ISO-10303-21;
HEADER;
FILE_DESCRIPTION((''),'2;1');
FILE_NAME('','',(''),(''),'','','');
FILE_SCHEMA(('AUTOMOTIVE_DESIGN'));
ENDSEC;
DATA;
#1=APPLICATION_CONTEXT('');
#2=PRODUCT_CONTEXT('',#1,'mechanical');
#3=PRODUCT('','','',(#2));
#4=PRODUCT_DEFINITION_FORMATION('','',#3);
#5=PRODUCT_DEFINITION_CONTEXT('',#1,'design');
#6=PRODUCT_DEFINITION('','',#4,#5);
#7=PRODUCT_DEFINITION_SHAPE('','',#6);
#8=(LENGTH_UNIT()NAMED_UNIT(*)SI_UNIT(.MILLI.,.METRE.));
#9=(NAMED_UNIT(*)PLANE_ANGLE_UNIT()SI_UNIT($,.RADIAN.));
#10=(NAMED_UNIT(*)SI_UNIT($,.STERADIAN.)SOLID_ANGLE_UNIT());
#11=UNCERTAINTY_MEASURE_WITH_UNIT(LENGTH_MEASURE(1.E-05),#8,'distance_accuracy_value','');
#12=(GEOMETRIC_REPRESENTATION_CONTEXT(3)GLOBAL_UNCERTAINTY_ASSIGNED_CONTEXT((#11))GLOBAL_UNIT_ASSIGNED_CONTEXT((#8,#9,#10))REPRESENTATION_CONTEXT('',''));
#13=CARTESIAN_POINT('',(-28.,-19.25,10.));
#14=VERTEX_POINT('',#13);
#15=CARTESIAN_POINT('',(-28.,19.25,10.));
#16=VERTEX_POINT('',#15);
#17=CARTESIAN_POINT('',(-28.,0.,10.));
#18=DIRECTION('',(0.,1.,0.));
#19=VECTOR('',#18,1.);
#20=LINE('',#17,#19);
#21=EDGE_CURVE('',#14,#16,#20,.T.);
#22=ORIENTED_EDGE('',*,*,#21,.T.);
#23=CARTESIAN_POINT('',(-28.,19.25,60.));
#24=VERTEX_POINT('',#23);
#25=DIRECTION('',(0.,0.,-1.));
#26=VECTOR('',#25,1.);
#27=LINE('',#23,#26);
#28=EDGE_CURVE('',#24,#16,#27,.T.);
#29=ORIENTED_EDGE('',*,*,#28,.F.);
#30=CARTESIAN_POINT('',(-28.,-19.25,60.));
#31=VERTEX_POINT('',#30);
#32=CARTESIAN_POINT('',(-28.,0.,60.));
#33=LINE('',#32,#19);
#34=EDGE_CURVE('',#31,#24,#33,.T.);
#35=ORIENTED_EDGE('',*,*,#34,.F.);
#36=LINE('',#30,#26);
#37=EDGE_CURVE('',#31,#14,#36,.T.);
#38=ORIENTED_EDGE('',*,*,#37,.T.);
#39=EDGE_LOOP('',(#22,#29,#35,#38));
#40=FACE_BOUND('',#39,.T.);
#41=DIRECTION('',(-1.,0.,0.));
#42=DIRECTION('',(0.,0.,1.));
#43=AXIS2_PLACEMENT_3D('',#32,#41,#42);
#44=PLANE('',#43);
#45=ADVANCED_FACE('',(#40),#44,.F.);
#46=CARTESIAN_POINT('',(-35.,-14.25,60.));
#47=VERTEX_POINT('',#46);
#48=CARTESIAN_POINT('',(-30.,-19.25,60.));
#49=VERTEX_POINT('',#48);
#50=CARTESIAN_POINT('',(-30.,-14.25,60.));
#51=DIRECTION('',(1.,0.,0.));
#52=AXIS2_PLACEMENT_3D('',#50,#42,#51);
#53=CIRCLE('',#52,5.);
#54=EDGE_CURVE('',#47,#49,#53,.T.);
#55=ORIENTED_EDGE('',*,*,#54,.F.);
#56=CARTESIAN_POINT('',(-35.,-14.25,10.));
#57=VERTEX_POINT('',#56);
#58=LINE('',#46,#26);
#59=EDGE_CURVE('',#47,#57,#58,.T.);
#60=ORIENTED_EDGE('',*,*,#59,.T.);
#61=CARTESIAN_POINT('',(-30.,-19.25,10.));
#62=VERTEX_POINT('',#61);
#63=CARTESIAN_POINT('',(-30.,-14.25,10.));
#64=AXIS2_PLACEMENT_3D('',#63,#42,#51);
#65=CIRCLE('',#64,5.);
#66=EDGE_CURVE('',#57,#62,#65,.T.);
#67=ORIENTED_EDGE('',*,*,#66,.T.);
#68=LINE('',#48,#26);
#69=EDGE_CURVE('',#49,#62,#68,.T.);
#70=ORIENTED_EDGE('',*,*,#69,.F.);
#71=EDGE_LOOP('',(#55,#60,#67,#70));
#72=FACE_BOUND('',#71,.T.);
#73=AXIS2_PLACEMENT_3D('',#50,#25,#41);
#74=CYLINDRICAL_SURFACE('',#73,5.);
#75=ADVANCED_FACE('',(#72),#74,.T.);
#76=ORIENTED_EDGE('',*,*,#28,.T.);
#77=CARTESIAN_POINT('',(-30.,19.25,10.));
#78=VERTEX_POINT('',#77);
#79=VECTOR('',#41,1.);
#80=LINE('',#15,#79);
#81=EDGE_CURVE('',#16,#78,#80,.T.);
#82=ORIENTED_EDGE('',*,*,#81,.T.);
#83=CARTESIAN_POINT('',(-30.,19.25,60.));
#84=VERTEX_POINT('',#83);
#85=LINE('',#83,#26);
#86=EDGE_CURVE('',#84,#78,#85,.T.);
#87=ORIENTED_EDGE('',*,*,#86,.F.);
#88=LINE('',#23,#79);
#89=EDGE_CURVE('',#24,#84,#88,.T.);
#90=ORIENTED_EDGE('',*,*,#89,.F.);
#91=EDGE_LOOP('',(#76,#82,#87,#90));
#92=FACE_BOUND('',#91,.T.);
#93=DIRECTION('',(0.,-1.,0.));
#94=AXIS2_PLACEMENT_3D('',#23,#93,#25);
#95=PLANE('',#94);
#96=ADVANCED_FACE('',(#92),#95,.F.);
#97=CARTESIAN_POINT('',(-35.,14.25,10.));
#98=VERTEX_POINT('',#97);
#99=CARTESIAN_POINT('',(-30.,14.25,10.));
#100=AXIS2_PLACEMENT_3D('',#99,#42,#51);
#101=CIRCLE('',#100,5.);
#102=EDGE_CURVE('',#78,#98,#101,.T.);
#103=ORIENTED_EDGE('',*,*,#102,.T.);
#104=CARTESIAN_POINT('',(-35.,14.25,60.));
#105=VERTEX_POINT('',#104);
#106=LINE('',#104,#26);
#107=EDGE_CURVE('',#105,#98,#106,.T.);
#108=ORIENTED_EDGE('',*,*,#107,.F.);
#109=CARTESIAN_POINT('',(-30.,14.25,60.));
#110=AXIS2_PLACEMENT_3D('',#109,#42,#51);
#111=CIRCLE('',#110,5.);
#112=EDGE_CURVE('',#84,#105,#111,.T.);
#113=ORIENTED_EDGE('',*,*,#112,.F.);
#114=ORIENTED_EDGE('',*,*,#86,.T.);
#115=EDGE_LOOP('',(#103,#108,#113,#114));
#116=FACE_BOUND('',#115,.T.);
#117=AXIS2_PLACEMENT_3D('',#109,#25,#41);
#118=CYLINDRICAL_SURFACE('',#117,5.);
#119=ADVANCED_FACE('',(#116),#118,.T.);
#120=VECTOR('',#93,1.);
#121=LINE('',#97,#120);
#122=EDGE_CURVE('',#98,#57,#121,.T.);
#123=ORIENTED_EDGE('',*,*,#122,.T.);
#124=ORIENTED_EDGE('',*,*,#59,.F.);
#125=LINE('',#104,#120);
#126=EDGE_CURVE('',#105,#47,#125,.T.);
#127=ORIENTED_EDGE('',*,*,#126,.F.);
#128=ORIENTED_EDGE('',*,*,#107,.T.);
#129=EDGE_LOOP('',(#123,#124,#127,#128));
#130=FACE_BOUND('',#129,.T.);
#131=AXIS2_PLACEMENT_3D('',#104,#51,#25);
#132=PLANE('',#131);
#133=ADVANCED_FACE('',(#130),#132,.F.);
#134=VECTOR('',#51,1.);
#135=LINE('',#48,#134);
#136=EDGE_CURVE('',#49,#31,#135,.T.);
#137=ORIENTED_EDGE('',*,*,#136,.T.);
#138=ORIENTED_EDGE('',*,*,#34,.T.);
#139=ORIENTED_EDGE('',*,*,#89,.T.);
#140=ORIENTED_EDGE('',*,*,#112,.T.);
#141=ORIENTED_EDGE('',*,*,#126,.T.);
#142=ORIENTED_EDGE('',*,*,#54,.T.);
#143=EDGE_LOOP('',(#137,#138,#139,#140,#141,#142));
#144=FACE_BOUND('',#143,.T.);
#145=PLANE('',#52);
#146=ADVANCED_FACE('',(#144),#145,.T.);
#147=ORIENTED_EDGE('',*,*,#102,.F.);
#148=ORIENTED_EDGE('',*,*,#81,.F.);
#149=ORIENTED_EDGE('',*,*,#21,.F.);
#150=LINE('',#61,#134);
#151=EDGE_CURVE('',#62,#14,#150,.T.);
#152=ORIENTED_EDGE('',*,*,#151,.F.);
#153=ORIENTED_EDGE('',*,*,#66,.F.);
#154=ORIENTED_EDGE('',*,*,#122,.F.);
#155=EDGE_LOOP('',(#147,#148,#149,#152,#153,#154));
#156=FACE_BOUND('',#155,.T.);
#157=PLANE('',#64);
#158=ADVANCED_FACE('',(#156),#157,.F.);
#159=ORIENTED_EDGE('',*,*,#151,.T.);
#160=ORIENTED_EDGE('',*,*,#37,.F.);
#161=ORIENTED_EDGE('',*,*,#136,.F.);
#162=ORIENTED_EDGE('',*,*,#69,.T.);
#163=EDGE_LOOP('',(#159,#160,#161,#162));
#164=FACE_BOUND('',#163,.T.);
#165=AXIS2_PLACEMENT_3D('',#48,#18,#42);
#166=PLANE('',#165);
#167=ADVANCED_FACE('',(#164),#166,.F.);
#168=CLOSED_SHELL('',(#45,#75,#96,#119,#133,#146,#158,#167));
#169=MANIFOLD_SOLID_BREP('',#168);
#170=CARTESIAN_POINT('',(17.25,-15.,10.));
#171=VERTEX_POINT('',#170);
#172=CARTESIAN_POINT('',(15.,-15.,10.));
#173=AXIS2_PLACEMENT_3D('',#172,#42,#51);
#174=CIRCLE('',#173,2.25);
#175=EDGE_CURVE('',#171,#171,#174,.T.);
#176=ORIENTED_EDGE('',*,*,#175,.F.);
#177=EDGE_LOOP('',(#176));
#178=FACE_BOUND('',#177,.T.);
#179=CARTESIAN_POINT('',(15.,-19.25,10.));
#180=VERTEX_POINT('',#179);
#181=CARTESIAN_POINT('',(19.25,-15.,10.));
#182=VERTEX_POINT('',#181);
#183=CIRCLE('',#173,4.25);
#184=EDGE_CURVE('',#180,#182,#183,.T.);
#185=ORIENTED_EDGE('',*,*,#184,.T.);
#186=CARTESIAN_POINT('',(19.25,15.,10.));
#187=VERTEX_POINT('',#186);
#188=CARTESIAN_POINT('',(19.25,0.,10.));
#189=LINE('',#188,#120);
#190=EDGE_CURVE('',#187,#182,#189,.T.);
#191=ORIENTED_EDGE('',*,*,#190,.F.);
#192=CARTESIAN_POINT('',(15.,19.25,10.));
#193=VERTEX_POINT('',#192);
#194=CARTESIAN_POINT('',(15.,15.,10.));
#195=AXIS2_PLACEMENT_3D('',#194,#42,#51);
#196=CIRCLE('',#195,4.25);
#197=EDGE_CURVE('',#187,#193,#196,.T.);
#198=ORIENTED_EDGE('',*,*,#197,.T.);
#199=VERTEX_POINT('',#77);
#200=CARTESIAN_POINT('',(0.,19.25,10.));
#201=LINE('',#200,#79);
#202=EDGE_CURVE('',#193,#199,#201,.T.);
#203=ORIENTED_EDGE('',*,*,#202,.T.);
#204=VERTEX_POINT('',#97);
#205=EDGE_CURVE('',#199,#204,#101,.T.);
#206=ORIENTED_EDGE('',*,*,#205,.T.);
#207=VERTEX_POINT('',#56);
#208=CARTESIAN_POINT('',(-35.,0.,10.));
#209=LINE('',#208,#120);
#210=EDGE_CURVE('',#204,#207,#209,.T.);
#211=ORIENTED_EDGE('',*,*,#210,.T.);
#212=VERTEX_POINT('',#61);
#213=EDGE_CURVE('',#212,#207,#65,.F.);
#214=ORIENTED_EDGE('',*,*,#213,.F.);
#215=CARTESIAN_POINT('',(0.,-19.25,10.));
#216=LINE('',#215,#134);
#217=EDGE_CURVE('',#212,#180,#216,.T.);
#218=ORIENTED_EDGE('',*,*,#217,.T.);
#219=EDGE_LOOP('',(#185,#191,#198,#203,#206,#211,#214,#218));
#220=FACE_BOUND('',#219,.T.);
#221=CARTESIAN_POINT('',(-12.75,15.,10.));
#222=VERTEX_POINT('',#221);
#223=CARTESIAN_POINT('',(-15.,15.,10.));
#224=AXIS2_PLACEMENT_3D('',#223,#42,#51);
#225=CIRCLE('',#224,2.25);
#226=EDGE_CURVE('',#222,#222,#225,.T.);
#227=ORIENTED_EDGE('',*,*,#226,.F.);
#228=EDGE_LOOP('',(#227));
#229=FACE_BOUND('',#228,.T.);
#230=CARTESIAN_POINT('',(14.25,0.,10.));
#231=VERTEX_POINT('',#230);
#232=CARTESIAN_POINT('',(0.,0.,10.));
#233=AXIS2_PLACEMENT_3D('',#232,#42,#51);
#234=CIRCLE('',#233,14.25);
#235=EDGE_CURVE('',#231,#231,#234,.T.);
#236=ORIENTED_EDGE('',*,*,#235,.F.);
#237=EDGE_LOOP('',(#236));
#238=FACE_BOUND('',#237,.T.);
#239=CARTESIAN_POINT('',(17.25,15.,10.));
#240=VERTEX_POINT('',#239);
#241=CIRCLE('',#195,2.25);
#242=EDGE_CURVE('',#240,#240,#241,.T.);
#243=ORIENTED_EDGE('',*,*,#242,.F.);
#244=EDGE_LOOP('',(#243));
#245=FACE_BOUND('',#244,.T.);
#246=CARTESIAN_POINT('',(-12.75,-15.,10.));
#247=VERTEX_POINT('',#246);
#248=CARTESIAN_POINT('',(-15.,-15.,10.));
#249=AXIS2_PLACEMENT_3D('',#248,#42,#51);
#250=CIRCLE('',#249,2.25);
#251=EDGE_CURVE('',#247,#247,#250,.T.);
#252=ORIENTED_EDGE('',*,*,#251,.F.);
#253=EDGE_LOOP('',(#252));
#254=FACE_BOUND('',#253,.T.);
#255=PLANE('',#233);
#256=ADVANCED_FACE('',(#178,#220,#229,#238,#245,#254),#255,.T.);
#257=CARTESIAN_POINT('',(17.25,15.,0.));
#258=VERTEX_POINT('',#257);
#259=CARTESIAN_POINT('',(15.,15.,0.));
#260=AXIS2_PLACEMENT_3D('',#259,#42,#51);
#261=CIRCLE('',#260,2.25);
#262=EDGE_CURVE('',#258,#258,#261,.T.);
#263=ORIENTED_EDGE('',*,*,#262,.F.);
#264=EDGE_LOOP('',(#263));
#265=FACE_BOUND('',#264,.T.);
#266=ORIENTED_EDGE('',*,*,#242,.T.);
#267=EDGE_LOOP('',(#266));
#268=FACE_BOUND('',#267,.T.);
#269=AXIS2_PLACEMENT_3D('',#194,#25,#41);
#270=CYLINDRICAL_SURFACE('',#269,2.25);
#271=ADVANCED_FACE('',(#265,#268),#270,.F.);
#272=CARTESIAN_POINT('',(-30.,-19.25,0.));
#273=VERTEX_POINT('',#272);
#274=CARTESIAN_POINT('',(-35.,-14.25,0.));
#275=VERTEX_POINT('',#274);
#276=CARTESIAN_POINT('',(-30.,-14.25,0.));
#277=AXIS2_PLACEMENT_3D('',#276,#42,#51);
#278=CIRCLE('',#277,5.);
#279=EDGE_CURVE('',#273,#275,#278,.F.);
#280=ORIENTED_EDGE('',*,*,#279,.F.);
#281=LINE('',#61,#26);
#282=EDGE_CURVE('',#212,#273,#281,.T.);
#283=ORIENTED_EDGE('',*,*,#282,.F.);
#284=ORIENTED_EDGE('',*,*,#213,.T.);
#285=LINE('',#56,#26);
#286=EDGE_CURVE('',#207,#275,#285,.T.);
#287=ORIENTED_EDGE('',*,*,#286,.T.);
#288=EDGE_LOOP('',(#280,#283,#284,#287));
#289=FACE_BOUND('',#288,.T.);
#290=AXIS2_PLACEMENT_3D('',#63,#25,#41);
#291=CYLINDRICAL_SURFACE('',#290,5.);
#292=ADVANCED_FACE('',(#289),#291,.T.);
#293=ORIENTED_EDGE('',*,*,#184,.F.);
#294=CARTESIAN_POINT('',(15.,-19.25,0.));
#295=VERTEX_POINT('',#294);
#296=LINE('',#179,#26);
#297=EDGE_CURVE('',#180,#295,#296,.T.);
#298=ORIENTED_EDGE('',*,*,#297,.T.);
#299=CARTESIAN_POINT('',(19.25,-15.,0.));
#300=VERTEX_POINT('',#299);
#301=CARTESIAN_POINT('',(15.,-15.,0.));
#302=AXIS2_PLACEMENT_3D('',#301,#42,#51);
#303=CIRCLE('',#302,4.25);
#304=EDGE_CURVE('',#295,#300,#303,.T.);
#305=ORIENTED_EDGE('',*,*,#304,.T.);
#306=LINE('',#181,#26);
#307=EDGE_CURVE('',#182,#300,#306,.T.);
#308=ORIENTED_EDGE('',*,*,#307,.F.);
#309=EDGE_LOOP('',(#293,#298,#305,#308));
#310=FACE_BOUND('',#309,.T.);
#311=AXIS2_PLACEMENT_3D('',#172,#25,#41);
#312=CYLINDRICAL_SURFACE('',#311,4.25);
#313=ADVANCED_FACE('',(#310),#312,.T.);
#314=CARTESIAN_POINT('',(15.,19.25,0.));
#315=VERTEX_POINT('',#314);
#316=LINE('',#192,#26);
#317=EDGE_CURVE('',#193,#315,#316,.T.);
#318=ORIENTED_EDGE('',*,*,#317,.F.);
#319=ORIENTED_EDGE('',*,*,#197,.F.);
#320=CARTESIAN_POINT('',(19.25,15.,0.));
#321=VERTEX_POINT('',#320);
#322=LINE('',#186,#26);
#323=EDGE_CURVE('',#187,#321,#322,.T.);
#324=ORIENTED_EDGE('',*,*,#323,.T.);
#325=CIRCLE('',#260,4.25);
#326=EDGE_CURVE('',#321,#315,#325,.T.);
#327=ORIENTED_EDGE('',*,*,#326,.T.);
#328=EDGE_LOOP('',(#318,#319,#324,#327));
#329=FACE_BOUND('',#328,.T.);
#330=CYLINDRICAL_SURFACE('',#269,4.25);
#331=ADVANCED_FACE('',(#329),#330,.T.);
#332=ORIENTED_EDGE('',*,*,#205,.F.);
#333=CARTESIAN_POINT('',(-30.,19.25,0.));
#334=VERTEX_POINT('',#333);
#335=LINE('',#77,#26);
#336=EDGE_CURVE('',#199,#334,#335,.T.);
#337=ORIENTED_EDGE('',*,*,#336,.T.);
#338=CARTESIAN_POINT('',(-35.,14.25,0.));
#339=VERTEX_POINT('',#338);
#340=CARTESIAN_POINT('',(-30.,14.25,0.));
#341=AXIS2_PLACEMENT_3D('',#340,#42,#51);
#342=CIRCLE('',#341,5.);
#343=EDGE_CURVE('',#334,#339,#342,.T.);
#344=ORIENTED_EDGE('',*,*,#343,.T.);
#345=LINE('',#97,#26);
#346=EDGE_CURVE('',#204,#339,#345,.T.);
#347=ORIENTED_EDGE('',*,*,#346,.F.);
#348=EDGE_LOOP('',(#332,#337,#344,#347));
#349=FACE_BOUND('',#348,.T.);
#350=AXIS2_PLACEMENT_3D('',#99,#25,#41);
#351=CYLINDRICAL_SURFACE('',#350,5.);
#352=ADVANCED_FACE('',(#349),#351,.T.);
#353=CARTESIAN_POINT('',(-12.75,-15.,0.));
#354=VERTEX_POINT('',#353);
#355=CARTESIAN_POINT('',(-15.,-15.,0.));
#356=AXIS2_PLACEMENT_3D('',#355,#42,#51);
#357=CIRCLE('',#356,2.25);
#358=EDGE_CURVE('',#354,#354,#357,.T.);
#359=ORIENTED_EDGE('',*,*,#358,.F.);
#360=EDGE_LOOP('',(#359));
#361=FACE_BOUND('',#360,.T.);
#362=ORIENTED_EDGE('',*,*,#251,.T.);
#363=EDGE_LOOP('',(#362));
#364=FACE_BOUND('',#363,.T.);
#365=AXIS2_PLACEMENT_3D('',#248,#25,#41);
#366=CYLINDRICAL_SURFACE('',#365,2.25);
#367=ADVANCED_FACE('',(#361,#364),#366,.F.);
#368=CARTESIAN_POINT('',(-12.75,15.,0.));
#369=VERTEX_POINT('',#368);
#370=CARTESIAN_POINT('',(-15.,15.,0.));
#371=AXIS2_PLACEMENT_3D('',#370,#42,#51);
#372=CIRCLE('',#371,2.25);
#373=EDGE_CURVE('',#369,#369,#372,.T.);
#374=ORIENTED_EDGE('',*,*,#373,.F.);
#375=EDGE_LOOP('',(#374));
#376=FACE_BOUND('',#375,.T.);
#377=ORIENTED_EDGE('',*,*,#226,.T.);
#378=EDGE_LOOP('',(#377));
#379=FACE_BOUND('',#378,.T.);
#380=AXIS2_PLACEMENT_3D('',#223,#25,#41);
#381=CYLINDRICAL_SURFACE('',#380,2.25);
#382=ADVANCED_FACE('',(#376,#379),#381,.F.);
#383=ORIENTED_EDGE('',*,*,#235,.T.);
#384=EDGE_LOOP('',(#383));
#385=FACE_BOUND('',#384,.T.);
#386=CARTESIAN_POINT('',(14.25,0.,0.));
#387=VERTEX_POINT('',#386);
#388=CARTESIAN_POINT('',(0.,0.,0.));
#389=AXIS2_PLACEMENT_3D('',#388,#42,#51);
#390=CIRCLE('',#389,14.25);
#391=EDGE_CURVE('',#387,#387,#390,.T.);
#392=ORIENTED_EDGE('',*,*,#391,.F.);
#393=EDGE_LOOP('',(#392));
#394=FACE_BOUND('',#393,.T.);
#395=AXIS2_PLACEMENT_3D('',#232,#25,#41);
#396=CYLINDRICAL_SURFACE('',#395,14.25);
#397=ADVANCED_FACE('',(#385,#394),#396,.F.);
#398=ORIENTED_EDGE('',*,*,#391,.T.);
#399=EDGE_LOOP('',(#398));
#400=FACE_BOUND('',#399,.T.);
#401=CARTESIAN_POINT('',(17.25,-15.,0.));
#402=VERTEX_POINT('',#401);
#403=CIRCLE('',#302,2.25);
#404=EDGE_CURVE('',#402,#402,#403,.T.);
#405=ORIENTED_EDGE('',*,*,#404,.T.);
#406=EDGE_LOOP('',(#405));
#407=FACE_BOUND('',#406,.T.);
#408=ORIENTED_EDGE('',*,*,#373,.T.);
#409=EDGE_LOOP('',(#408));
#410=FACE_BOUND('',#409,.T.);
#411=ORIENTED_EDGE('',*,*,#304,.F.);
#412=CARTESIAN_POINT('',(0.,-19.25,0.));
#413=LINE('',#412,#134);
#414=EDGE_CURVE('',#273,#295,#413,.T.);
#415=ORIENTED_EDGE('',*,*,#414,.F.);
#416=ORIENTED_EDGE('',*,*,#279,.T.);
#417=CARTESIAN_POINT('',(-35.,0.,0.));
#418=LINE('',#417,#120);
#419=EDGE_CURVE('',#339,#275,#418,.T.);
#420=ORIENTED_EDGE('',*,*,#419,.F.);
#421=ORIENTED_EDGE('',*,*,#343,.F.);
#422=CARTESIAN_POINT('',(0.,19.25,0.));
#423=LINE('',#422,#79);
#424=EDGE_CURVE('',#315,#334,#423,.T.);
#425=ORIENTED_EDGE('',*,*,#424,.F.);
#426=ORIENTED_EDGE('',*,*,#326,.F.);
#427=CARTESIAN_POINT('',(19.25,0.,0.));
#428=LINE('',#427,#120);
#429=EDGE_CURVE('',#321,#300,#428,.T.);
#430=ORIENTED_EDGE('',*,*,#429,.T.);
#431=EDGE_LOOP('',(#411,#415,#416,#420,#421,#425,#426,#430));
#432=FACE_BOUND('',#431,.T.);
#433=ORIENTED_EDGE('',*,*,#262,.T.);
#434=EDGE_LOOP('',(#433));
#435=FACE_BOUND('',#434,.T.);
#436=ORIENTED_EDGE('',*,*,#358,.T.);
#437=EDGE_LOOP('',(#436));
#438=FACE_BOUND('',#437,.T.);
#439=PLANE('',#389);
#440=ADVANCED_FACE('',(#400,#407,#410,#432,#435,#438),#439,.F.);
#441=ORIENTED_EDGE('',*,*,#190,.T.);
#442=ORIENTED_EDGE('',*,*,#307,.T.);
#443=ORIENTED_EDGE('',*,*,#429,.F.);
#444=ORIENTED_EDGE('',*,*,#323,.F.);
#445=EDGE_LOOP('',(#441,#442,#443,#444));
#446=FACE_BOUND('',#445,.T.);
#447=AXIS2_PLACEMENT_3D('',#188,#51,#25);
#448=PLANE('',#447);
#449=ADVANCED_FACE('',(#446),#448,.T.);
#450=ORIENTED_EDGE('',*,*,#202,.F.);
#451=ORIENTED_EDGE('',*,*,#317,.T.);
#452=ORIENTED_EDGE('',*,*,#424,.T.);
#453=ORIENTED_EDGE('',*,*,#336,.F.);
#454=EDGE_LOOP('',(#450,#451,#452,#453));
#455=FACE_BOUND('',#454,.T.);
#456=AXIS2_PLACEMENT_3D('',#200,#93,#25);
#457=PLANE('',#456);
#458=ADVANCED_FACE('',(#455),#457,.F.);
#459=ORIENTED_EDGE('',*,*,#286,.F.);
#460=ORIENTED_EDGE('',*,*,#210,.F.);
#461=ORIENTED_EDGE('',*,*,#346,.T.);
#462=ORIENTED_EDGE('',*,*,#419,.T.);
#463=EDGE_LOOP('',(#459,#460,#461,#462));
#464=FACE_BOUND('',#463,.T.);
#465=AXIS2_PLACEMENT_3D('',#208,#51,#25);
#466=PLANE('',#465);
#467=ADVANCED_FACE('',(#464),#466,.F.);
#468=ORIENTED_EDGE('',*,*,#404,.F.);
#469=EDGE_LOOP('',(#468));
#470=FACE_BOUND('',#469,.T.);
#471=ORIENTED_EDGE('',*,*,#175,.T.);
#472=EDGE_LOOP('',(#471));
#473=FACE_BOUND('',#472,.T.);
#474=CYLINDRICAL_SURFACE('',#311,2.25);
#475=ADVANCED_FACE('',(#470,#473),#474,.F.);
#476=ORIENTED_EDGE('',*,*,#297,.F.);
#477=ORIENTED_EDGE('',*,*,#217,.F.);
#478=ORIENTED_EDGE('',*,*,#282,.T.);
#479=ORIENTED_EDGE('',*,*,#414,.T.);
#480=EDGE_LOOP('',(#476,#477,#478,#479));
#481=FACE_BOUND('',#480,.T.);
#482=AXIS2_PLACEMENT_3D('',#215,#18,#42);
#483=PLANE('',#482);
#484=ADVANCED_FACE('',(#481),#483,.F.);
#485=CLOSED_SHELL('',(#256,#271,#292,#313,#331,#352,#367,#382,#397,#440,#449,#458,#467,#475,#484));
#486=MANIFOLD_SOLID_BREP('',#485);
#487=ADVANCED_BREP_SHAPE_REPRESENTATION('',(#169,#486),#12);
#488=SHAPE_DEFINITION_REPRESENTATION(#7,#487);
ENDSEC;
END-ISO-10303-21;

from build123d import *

# Parameters (mm, degrees)
SKETCH1_R           = 2.25
SKETCH1_R_2         = 14.25
BOSS_EXTRUDE1_DEPTH = 10
BOSS_EXTRUDE3_DEPTH = 50


with BuildPart() as part:
    # Sketch1 → Boss-Extrude1 (new body)
    with BuildSketch(Plane.XY):
        with BuildLine():
            Line((15, 19.25), (-15, 19.25))
            Line((-15, 19.25), (-30, 19.25))
            ThreePointArc((-30, 19.25), (-33.535533906, 17.785533906), (-35, 14.25))
            Line((-35, 14.25), (-35, -14.25))
            ThreePointArc((-35, -14.25), (-33.535533906, -17.785533906), (-30, -19.25))
            Line((-30, -19.25), (-15, -19.25))
            Line((-15, -19.25), (15, -19.25))
            ThreePointArc((15, -19.25), (18.00520382, -18.00520382), (19.25, -15))
            Line((19.25, -15), (19.25, 15))
            ThreePointArc((19.25, 15), (18.00520382, 18.00520382), (15, 19.25))
        make_face()
        with Locations((-15, -15)):
            Circle(SKETCH1_R, mode=Mode.SUBTRACT)
        with Locations((15, -15)):
            Circle(SKETCH1_R, mode=Mode.SUBTRACT)
        with Locations((-15, 15)):
            Circle(SKETCH1_R, mode=Mode.SUBTRACT)
        Circle(SKETCH1_R_2, mode=Mode.SUBTRACT)
        with Locations((15, 15)):
            Circle(SKETCH1_R, mode=Mode.SUBTRACT)
    extrude(amount=BOSS_EXTRUDE1_DEPTH)


with BuildPart() as body_2:
    # Sketch2 → Boss-Extrude3 (new body)
    with BuildSketch(Plane.XY.offset(10)):
        with BuildLine():
            Line((-30, -19.25), (-28, -19.25))
            Line((-28, -19.25), (-28, 0))
            Line((-28, 0), (-28, 19.25))
            Line((-28, 19.25), (-30, 19.25))
            ThreePointArc((-30, 19.25), (-33.535533906, 17.785533906), (-35, 14.25))
            Line((-35, 14.25), (-35, -14.25))
            ThreePointArc((-35, -14.25), (-33.535533906, -17.785533906), (-30, -19.25))
        make_face()
    extrude(amount=BOSS_EXTRUDE3_DEPTH)


solid = Compound([part.part, body_2.part])
